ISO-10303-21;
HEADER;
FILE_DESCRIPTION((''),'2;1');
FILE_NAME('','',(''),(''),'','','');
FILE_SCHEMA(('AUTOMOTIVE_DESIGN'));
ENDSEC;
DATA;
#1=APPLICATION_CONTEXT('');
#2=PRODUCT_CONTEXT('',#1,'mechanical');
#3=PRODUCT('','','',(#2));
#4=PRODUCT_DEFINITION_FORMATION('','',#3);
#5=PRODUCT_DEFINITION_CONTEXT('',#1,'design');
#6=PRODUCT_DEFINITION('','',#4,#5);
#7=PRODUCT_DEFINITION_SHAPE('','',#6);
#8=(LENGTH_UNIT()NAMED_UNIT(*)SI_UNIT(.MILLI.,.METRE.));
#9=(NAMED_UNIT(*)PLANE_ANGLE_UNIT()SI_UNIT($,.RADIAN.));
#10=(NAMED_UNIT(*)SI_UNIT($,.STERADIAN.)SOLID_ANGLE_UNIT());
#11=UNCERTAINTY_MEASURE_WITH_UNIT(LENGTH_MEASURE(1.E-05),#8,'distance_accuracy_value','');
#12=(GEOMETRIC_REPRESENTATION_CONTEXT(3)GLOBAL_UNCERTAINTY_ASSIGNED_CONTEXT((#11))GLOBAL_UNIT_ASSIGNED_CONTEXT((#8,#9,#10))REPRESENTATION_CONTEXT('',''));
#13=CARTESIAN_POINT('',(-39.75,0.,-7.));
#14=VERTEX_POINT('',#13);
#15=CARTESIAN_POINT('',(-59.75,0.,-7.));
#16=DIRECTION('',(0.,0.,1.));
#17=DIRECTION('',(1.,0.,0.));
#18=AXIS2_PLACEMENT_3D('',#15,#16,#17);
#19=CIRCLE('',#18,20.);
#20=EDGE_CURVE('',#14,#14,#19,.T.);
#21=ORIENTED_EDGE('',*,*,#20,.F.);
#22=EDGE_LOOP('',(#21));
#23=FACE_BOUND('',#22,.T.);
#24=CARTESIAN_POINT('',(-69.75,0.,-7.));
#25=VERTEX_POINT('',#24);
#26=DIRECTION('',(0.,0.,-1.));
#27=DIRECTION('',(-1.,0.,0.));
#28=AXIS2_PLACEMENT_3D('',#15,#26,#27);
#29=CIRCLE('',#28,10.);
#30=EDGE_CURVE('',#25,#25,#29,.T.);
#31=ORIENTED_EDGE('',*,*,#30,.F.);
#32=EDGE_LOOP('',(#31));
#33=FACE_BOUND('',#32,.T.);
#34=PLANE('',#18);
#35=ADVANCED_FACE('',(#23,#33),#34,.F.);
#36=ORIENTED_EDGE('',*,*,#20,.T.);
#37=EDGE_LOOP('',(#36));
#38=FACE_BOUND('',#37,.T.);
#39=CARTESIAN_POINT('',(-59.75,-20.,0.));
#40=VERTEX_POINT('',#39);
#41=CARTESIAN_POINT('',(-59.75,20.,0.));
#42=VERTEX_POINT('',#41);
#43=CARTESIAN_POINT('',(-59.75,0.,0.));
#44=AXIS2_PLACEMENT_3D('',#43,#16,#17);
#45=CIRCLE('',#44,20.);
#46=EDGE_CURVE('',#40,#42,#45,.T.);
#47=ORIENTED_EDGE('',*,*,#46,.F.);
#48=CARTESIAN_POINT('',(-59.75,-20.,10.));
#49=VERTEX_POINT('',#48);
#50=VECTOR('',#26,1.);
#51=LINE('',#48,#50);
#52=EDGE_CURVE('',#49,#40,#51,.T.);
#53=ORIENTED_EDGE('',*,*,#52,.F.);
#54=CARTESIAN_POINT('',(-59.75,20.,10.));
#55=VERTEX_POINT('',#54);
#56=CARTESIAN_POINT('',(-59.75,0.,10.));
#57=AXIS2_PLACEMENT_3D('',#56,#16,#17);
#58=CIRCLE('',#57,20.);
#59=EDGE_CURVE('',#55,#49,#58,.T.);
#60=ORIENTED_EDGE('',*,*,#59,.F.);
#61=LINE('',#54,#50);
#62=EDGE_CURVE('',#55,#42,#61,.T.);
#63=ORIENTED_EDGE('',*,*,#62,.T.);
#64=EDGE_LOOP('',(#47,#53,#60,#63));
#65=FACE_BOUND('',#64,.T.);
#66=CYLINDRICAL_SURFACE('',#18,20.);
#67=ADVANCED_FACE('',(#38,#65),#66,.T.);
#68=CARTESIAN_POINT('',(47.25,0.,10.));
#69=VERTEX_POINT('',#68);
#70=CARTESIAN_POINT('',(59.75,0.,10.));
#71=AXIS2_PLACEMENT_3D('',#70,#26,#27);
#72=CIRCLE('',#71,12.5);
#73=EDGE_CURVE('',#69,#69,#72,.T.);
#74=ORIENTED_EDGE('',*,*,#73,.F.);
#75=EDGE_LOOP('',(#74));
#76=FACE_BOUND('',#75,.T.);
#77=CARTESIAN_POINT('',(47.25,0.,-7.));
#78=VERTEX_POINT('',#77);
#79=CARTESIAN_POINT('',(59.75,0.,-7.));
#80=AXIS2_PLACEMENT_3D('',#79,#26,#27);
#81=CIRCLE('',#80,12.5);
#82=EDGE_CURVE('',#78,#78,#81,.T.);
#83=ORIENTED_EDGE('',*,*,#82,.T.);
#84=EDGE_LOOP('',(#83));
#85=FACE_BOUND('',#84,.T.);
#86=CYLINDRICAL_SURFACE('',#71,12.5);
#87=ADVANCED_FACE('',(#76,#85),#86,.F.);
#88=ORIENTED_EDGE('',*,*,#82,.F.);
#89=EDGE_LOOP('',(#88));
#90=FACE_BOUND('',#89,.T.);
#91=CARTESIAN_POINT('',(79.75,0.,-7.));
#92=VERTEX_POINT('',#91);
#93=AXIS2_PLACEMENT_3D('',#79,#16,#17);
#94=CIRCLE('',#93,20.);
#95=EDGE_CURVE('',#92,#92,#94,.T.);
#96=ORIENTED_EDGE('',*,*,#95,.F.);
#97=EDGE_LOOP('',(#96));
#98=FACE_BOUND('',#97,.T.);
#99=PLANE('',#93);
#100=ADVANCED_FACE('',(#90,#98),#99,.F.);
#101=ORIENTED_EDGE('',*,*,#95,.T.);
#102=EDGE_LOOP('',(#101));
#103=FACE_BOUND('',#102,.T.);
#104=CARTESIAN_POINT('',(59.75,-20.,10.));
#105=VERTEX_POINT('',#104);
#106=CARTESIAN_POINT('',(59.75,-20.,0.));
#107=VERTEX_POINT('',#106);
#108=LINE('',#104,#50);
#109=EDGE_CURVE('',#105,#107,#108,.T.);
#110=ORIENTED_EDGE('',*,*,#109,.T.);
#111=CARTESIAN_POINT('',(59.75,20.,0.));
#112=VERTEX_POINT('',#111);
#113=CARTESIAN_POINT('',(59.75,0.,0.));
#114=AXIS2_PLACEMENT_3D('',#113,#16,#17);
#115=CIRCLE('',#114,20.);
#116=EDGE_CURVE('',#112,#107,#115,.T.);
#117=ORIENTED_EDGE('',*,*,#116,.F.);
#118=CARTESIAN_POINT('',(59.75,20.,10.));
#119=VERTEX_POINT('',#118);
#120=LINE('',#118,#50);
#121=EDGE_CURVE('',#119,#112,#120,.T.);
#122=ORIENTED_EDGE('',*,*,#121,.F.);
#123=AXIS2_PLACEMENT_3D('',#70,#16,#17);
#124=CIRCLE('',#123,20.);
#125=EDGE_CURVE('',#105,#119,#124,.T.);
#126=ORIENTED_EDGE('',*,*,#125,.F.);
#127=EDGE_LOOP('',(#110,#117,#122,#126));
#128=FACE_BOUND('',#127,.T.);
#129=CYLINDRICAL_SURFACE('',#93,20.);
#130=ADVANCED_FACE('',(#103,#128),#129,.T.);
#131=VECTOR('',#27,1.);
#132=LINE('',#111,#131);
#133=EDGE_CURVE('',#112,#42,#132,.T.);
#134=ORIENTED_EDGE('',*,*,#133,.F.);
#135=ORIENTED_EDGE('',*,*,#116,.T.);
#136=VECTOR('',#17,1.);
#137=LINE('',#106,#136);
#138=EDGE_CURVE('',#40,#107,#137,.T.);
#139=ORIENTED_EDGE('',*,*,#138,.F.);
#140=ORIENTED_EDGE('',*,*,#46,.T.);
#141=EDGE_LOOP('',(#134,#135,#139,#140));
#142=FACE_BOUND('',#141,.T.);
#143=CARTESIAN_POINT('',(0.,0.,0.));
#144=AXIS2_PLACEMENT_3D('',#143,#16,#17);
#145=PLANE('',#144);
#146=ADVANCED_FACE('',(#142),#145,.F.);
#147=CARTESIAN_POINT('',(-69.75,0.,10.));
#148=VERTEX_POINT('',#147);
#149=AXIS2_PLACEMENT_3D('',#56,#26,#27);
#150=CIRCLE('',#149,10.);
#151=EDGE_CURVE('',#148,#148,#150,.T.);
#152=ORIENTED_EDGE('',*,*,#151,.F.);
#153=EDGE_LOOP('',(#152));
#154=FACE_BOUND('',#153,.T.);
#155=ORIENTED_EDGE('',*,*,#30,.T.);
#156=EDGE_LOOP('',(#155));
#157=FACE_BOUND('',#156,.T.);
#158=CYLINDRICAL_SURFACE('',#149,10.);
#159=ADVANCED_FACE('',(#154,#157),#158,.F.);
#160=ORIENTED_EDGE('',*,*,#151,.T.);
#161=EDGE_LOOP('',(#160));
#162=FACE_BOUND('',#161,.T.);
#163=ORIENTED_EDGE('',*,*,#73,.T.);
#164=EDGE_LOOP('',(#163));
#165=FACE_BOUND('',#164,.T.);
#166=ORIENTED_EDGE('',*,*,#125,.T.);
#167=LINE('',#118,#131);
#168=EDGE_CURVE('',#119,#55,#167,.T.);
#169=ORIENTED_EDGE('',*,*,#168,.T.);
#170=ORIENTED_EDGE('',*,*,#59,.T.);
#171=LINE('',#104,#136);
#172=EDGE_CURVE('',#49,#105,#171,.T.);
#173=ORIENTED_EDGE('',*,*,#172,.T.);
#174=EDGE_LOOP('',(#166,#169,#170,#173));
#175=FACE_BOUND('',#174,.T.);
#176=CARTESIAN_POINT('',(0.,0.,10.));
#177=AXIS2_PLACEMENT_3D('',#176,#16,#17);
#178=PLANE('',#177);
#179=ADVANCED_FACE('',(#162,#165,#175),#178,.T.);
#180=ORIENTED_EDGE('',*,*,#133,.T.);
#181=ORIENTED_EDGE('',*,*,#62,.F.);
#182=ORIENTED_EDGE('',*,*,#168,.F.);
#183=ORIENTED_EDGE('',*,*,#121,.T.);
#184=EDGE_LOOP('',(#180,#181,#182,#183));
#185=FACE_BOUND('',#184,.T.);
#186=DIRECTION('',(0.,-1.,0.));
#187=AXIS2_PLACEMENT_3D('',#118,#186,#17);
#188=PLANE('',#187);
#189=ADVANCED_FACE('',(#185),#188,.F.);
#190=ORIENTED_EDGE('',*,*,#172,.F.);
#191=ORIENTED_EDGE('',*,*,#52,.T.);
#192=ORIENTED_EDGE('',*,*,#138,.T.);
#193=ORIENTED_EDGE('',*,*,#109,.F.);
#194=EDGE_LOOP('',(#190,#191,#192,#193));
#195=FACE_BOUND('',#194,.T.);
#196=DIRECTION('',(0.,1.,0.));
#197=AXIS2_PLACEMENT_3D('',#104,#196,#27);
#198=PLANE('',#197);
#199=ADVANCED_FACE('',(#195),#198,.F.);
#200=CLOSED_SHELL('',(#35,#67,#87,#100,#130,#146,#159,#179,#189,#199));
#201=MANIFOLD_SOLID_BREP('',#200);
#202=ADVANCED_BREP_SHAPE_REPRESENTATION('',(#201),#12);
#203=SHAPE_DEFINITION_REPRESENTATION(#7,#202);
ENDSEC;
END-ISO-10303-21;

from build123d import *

# Parameters (mm, degrees)
SCHIZZO1_W                   = 119.5
SCHIZZO1_H                   = 40
ESTRUSIONE_ESTRUSIONE1_DEPTH = 10
SCHIZZO2_R                   = 20
ESTRUSIONE_ESTRUSIONE2_DEPTH = 17
SCHIZZO3_R                   = 12.5
SCHIZZO3_R_2                 = 10
TAGLIO_ESTRUSIONE1_DEPTH     = 84.958695202


with BuildPart() as part:
    # Schizzo1 → Estrusione-Estrusione1 (new body)
    with BuildSketch(Plane.XY):
        Rectangle(SCHIZZO1_W, SCHIZZO1_H)
    extrude(amount=ESTRUSIONE_ESTRUSIONE1_DEPTH)

    # Schizzo2 → Estrusione-Estrusione2 (add)
    with BuildSketch(Plane.XY.offset(10)):
        with Locations((-59.75, 0)):
            Circle(SCHIZZO2_R)
        with Locations((59.75, 0)):
            Circle(SCHIZZO2_R)
    extrude(amount=-ESTRUSIONE_ESTRUSIONE2_DEPTH)

    # Schizzo3 → Taglio-Estrusione1 (cut, through all)
    with BuildSketch(Plane(origin=(0, 0, -7), x_dir=(-1, 0, 0), z_dir=(0, 0, -1))):
        with Locations((-59.75, 0)):
            Circle(SCHIZZO3_R)
        with Locations((59.75, 0)):
            Circle(SCHIZZO3_R_2)
    extrude(amount=-TAGLIO_ESTRUSIONE1_DEPTH, mode=Mode.SUBTRACT)


solid = part.part
